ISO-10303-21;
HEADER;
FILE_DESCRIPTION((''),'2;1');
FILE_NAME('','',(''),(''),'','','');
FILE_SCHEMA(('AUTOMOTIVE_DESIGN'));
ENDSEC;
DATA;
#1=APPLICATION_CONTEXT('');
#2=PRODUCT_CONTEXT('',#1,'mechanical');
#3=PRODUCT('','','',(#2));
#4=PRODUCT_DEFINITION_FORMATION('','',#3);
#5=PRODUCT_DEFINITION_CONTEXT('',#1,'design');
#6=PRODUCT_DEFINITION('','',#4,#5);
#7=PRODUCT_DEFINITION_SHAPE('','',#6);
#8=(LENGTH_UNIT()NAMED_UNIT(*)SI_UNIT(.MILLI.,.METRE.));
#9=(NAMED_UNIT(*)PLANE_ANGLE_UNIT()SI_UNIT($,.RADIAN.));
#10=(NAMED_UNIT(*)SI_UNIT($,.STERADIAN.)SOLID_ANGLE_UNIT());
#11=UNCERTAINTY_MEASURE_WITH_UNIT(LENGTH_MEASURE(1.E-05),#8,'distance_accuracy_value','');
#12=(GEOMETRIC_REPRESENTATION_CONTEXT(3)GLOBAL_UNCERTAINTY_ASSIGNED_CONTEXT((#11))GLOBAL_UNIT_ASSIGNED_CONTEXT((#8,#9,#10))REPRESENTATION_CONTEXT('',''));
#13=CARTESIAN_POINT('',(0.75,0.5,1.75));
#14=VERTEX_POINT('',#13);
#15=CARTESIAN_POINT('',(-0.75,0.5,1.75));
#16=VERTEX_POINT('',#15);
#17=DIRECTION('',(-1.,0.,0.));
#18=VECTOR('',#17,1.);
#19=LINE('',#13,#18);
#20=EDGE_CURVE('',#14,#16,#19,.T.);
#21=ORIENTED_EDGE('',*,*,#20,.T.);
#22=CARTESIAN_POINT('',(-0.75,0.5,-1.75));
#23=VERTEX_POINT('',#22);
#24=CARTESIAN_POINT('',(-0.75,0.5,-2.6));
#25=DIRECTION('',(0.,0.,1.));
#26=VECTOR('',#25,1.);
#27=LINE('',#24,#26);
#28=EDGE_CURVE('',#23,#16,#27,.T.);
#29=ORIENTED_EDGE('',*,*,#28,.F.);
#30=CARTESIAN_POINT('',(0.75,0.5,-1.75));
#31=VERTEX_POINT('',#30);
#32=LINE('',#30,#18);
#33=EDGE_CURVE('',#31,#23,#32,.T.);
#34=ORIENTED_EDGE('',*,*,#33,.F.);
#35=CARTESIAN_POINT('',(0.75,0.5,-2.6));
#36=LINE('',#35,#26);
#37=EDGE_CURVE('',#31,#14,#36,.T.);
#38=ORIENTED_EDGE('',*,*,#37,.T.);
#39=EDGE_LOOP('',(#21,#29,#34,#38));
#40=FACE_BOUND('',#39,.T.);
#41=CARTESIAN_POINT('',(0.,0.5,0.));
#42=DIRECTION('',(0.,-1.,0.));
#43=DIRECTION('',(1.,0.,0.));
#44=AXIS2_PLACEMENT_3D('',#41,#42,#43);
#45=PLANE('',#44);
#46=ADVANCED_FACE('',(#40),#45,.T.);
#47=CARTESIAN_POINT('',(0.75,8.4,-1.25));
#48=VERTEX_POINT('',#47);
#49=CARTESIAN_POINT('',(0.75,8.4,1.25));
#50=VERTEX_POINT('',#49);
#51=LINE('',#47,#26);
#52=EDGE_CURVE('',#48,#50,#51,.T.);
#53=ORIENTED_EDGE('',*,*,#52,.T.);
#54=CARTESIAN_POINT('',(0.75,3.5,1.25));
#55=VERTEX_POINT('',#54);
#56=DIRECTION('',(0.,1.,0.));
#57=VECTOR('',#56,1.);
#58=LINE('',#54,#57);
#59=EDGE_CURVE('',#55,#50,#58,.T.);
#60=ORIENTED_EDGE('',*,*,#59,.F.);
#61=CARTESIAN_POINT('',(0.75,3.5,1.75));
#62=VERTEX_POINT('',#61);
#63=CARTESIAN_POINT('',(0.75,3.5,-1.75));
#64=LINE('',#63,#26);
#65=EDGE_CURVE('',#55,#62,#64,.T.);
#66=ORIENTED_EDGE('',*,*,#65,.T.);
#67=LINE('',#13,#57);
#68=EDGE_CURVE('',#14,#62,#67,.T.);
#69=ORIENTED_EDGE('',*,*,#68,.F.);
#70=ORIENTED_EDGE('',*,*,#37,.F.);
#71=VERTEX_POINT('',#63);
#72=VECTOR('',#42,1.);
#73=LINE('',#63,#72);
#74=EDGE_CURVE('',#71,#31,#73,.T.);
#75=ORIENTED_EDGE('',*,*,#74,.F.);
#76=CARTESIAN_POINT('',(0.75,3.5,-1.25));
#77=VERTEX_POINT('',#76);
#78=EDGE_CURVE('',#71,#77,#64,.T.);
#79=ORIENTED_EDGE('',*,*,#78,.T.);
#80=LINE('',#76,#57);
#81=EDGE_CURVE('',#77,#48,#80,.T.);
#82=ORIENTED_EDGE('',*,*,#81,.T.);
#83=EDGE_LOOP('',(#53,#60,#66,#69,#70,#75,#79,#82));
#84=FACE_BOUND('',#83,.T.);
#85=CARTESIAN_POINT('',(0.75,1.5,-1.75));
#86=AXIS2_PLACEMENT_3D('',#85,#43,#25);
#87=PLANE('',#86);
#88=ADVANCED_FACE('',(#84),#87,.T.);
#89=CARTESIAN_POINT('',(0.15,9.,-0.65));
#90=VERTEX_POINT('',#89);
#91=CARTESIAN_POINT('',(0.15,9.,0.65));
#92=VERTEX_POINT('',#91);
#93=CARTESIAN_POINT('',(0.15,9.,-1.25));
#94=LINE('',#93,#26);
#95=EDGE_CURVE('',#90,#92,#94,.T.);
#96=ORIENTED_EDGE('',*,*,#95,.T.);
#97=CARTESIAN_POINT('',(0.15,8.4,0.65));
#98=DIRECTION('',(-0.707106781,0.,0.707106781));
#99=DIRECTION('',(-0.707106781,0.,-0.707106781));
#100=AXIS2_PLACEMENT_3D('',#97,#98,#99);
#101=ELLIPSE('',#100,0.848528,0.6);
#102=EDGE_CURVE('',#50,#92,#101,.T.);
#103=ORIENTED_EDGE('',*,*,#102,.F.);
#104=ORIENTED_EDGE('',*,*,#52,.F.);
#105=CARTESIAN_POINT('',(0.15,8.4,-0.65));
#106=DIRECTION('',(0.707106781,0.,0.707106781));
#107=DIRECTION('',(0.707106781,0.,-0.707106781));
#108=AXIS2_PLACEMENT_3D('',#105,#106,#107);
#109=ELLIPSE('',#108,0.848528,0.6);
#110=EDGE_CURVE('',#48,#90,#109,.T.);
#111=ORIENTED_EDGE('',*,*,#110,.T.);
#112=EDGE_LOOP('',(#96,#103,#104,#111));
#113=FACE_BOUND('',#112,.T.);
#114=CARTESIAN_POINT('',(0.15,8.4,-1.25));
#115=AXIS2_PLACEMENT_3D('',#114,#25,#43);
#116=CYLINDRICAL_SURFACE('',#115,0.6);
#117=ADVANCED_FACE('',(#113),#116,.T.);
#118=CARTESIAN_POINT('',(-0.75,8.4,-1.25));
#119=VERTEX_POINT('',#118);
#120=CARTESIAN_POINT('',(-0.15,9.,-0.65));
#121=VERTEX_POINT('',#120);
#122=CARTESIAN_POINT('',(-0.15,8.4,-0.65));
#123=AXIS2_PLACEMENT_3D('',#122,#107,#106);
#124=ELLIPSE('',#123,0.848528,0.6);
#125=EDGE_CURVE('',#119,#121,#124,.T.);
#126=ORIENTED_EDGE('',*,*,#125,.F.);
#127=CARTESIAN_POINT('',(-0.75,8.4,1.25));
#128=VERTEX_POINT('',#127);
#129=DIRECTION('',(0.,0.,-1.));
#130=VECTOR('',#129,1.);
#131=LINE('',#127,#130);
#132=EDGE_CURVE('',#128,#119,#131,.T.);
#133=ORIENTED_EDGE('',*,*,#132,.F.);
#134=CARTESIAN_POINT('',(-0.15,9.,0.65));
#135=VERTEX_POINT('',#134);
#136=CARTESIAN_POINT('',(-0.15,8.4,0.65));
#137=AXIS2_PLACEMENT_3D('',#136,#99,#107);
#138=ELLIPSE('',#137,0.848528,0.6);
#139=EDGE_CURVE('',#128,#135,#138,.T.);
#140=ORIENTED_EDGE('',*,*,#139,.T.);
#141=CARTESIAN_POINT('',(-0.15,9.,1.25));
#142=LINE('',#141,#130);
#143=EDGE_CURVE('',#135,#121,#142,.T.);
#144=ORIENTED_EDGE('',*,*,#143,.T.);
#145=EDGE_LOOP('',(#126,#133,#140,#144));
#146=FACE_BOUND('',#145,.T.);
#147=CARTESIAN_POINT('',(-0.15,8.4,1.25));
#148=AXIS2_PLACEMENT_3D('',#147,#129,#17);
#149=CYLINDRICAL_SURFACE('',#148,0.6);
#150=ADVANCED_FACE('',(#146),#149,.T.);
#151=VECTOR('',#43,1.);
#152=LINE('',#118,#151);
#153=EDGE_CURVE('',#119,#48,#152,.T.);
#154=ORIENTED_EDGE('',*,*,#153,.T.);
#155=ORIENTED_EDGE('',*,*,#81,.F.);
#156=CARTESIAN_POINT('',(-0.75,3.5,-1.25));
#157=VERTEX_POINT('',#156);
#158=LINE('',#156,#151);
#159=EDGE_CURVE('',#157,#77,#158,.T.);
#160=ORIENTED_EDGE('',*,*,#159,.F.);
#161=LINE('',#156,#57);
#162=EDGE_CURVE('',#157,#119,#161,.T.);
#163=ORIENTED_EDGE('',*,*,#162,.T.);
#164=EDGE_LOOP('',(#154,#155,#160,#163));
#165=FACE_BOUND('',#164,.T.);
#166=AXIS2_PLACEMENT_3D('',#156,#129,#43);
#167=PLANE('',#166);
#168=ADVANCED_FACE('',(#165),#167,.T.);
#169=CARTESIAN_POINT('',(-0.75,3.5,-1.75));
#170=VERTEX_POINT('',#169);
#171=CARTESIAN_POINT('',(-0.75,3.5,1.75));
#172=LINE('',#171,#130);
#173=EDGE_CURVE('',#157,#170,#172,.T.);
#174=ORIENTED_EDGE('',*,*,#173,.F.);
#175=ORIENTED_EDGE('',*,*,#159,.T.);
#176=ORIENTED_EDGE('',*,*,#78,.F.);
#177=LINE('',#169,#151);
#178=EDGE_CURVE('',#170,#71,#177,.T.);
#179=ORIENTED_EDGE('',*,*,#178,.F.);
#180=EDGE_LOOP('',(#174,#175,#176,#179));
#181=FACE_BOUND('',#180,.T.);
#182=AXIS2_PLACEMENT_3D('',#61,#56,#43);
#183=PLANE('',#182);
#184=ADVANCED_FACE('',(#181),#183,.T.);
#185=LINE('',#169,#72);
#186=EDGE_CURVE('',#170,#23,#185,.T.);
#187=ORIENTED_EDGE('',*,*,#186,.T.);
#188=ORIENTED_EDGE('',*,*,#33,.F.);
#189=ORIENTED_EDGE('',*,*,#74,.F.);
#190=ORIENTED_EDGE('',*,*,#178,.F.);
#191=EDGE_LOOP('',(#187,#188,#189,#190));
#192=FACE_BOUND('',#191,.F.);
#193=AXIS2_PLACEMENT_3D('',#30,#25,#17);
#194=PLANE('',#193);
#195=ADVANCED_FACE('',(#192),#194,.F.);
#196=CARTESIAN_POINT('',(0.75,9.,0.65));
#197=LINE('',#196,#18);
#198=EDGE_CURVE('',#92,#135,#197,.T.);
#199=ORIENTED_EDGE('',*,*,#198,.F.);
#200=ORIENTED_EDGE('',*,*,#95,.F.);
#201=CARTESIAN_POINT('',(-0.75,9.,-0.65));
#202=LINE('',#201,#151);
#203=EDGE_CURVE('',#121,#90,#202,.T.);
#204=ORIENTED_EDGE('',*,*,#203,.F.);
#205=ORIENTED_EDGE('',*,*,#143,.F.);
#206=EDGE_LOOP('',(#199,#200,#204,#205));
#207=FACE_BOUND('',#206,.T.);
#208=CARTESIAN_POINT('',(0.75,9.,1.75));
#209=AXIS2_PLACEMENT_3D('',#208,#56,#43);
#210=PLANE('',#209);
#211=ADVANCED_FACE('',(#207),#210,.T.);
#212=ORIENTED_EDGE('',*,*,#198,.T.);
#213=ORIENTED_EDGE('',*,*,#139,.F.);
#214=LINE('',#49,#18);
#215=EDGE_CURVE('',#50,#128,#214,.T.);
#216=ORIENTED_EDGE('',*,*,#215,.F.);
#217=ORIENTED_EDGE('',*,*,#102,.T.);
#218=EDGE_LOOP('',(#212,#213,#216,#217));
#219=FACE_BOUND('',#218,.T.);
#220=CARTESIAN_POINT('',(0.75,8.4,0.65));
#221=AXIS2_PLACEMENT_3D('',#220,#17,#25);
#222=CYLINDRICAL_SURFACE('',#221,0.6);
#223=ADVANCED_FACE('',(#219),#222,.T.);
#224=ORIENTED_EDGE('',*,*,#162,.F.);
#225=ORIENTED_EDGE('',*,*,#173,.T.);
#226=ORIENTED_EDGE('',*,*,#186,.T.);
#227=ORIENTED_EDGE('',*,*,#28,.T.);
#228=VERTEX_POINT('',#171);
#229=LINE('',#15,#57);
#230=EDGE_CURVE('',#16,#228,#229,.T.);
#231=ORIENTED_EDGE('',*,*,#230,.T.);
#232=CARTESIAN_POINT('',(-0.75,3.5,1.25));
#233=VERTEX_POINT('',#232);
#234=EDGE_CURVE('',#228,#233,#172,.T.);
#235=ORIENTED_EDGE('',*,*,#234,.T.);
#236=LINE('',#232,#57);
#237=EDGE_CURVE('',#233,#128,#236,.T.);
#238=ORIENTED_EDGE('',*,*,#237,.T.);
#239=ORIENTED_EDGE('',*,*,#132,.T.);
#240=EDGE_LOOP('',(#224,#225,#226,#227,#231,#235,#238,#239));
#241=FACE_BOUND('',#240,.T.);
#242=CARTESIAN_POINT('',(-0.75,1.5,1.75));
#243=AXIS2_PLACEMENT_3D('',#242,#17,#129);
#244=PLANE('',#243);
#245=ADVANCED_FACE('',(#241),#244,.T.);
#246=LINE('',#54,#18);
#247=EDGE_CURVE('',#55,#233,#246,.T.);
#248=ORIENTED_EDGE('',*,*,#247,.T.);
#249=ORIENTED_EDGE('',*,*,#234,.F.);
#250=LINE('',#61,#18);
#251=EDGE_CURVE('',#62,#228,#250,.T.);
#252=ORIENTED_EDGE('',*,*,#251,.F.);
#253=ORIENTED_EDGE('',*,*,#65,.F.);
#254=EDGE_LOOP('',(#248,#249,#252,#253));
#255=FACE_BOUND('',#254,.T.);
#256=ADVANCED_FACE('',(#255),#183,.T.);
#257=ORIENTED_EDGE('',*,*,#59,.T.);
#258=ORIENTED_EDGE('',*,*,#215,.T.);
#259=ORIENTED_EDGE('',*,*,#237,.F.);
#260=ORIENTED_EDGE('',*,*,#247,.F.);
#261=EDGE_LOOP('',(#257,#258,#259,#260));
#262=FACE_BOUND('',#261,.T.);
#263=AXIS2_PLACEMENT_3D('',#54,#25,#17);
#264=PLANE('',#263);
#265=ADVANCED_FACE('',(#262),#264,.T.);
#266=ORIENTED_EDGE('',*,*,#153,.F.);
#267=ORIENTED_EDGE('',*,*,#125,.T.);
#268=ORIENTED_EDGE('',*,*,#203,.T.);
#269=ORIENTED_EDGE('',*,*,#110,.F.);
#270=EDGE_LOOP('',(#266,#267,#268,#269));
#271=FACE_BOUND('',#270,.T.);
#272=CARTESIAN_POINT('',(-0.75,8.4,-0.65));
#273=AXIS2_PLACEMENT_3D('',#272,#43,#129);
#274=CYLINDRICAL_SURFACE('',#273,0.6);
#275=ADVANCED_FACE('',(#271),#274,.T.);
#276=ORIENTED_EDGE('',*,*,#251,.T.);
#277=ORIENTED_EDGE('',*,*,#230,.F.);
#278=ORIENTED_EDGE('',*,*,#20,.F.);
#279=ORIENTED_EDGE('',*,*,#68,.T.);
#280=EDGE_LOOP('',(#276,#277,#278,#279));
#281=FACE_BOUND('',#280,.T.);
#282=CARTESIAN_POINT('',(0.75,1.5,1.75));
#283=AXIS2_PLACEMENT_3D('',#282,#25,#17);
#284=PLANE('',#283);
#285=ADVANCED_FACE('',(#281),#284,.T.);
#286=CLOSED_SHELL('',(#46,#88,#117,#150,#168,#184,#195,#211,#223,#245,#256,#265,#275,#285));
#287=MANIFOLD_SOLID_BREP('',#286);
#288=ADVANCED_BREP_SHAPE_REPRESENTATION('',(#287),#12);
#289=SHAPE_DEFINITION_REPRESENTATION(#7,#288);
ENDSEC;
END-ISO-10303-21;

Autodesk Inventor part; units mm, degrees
ref_plane "YZ Plane" through (0, 0, 0) normal (1, 0, 0) x (0, 1, 0)
ref_plane "XZ Plane" through (0, 0, 0) normal (0, 1, 0) x (-1, 0, 0)
ref_plane "XY Plane" through (0, 0, 0) normal (0, 0, 1) x (1, 0, 0)
sketch "Sketch1" plane through (0, 0, 0) normal (0, 1, 0) x (-1, 0, 0)
  line L0 (-0.75, -1.6) -> (0.75, -1.6)
  line L1 (0.75, -1.6) -> (0.75, 1.6)
  line L2 (0.75, 1.6) -> (-0.75, 1.6)
  line L3 (-0.75, 1.6) -> (-0.75, -1.6)
  line L4 (-0.75, -1.6) -> (0.75, 1.6) construction
  line L5 (0.75, -1.6) -> (-0.75, 1.6) construction
  line L6 (0.75, 1.6) -> (-0.75, 1.6)
  line L7 (-0.75, 1.6) -> (-0.75, 2.6)
  line L8 (-0.75, 2.6) -> (0.75, 2.6)
  line L9 (0.75, 2.6) -> (0.75, 1.6)
  line L10 (-0.75, -1.6) -> (0.75, -1.6)
  line L11 (0.75, -1.6) -> (0.75, -2.6)
  line L12 (0.75, -2.6) -> (-0.75, -2.6)
  line L13 (-0.75, -2.6) -> (-0.75, -1.6)
  point P0 (0, 0)
  point P1 (0.75, -1.6)
  dimension "d0" = 3.2
  dimension "d1" = 1.5
  dimension "d2" = 1
  dimension "d3" = 1
extrude "Extrusion1" add sketch "Sketch1" along normal blind 0.5 contours L0 L11 L12 L13 | L7 L8 L9 L2
sketch "Sketch2" plane through (0.75, 0, 2.6) normal (1, 0, 0) x (0, 0, -1)
  line L0 (0, 0.5) -> (1, 0.5) projected
  line L1 (0.85, 0.5) -> (4.35, 0.5)
  line L2 (4.35, 0.5) -> (4.35, 1.5)
  line L3 (4.35, 1.5) -> (0.85, 1.5)
  line L4 (0.85, 1.5) -> (0.85, 0.5)
  line L5 (0.85, 1.5) -> (0, 0.5)
  line L6 (5.2, 0) -> (5.2, 0.5) projected
  line L7 (4.35, 1.5) -> (5.2, 0.5)
  line L8 (0, 0) -> (1, 0) construction
  line L9 (0, 0) -> (5.2, 0) construction
  line L10 (2.6, 0) -> (2.6, 2.5684) construction
  line L11 (0, 0.5) -> (5.2, 0.5)
  point P0 (2.6, 0.5)
  dimension "d10" = 3.5
  dimension "d19" = 1
extrude "Extrusion3" add sketch "Sketch2" against normal blind 1.5
sketch "Sketch5" plane through (0.75, 1.5, 1.75) normal (0, 1, 0) x (1, 0, 0)
  line L0 (-1.5, 0) -> (-1.5, 3.5) projected
  line L1 (0, 3.5) -> (0, 0) projected
  line L2 (-1.5, 3.5) -> (0, 3.5)
  line L3 (0, 3.5) -> (0, 0)
  line L4 (0, 0) -> (-1.5, 0)
  line L5 (-1.5, 0) -> (-1.5, 3.5)
  point P0 (-0.75, 1.75)
  point P1 (0, 3.5)
  point P2 (-1.5, 0)
extrude "Extrusion5" add sketch "Sketch5" along normal blind 2
sketch "Sketch6" plane through (0.75, 3.5, 1.75) normal (0, 1, 0) x (1, 0, 0)
  line L0 (-1.5, 3) -> (0, 3)
  line L1 (0, 3) -> (0, 0.5)
  line L2 (0, 0.5) -> (-1.5, 0.5)
  line L3 (-1.5, 0.5) -> (-1.5, 3)
  line L4 (0, 0) -> (0, 3.5) construction
  line L5 (0, 0) -> (0, 0.5) construction
  line L6 (-0.75, 3) -> (-0.75, 3.5) construction
  line L7 (0, 3.5) -> (-1.5, 3.5) construction
  line L8 (-0.75, 0.5) -> (-0.75, 0) construction
  point P0 (-0.75, 1.75)
  point P1 (-1.5, 1.75)
  point P2 (0, 1.75)
  dimension "d20" = 2.5
extrude "Extrusion6" add sketch "Sketch6" along normal blind 5.5
fillet "Fillet1" radius 0.6 4 edges at (0, 9, -1.25) (-0.75, 9, 0) (0, 9, 1.25) (0.75, 9, 0)
sketch "Sketch7" plane through (0, 0, 0) normal (0, -1, 0) x (1, 0, 0)
  line L0 (-0.75, 2.6) -> (0.75, 2.6) projected
  line L1 (-0.75, -2.6) -> (0.75, -2.6)
  line L2 (0.75, -2.6) -> (0.75, 2.6)
  line L3 (0.75, 2.6) -> (-0.75, 2.6)
  line L4 (-0.75, 2.6) -> (-0.75, -2.6)
  line L5 (-0.75, -2.6) -> (0.75, 2.6) construction
  line L6 (0.75, -2.6) -> (-0.75, 2.6) construction
  point P0 (0, 0)
extrude "Extrusion7" cut sketch "Sketch7" against normal blind 0.5
sketch "Sketch8" plane through (0.75, 0.5, -2.6) normal (0, -1, 0) x (1, 0, 0)
  line L0 (-1.5, 5.2) -> (0, 5.2) projected
  line L1 (0, 4.35) -> (-1.5, 4.35) projected
  line L2 (0, 5.2) -> (-1.5, 5.2)
  line L3 (-1.5, 5.2) -> (-1.5, 4.35)
  line L4 (-1.5, 4.35) -> (0, 4.35)
  line L5 (0, 4.35) -> (0, 5.2)
  line L6 (0, 0) -> (-1.5, 0) projected
  line L7 (0, 0.85) -> (-1.5, 0.85) projected
  line L8 (0, 0) -> (-1.5, 0)
  line L9 (-1.5, 0) -> (-1.5, 0.85)
  line L10 (-1.5, 0.85) -> (0, 0.85)
  line L11 (0, 0.85) -> (0, 0)
  point P0 (-0.75, 2.6)
  point P1 (0, 0.85)
extrude "Extrusion8" cut sketch "Sketch8" against normal blind 2
sketch "Sketch4" plane through (0.75, 1.5, 1.75) normal (0, 1, 0) x (1, 0, 0)
  line L0 (-1.5, 3) -> (0, 3)
  line L1 (0, 3) -> (0, 0.5)
  line L2 (0, 0.5) -> (-1.5, 0.5)
  line L3 (-1.5, 0.5) -> (-1.5, 3)
  line L4 (-1.5, 0) -> (-1.5, 3.5) projected
  line L5 (0, 3.5) -> (0, 0) projected
  line L6 (0, 3.5) -> (-1.5, 3.5) projected
  point P0 (-0.75, 1.75)
  point P1 (-1.5, 1.75)
  point P2 (0, 1.75)
  point P3 (-0.75, 3)
  dimension "d13" = 2.5
  dimension "d14" = 0.5
properties part number "LightPipeThin"
